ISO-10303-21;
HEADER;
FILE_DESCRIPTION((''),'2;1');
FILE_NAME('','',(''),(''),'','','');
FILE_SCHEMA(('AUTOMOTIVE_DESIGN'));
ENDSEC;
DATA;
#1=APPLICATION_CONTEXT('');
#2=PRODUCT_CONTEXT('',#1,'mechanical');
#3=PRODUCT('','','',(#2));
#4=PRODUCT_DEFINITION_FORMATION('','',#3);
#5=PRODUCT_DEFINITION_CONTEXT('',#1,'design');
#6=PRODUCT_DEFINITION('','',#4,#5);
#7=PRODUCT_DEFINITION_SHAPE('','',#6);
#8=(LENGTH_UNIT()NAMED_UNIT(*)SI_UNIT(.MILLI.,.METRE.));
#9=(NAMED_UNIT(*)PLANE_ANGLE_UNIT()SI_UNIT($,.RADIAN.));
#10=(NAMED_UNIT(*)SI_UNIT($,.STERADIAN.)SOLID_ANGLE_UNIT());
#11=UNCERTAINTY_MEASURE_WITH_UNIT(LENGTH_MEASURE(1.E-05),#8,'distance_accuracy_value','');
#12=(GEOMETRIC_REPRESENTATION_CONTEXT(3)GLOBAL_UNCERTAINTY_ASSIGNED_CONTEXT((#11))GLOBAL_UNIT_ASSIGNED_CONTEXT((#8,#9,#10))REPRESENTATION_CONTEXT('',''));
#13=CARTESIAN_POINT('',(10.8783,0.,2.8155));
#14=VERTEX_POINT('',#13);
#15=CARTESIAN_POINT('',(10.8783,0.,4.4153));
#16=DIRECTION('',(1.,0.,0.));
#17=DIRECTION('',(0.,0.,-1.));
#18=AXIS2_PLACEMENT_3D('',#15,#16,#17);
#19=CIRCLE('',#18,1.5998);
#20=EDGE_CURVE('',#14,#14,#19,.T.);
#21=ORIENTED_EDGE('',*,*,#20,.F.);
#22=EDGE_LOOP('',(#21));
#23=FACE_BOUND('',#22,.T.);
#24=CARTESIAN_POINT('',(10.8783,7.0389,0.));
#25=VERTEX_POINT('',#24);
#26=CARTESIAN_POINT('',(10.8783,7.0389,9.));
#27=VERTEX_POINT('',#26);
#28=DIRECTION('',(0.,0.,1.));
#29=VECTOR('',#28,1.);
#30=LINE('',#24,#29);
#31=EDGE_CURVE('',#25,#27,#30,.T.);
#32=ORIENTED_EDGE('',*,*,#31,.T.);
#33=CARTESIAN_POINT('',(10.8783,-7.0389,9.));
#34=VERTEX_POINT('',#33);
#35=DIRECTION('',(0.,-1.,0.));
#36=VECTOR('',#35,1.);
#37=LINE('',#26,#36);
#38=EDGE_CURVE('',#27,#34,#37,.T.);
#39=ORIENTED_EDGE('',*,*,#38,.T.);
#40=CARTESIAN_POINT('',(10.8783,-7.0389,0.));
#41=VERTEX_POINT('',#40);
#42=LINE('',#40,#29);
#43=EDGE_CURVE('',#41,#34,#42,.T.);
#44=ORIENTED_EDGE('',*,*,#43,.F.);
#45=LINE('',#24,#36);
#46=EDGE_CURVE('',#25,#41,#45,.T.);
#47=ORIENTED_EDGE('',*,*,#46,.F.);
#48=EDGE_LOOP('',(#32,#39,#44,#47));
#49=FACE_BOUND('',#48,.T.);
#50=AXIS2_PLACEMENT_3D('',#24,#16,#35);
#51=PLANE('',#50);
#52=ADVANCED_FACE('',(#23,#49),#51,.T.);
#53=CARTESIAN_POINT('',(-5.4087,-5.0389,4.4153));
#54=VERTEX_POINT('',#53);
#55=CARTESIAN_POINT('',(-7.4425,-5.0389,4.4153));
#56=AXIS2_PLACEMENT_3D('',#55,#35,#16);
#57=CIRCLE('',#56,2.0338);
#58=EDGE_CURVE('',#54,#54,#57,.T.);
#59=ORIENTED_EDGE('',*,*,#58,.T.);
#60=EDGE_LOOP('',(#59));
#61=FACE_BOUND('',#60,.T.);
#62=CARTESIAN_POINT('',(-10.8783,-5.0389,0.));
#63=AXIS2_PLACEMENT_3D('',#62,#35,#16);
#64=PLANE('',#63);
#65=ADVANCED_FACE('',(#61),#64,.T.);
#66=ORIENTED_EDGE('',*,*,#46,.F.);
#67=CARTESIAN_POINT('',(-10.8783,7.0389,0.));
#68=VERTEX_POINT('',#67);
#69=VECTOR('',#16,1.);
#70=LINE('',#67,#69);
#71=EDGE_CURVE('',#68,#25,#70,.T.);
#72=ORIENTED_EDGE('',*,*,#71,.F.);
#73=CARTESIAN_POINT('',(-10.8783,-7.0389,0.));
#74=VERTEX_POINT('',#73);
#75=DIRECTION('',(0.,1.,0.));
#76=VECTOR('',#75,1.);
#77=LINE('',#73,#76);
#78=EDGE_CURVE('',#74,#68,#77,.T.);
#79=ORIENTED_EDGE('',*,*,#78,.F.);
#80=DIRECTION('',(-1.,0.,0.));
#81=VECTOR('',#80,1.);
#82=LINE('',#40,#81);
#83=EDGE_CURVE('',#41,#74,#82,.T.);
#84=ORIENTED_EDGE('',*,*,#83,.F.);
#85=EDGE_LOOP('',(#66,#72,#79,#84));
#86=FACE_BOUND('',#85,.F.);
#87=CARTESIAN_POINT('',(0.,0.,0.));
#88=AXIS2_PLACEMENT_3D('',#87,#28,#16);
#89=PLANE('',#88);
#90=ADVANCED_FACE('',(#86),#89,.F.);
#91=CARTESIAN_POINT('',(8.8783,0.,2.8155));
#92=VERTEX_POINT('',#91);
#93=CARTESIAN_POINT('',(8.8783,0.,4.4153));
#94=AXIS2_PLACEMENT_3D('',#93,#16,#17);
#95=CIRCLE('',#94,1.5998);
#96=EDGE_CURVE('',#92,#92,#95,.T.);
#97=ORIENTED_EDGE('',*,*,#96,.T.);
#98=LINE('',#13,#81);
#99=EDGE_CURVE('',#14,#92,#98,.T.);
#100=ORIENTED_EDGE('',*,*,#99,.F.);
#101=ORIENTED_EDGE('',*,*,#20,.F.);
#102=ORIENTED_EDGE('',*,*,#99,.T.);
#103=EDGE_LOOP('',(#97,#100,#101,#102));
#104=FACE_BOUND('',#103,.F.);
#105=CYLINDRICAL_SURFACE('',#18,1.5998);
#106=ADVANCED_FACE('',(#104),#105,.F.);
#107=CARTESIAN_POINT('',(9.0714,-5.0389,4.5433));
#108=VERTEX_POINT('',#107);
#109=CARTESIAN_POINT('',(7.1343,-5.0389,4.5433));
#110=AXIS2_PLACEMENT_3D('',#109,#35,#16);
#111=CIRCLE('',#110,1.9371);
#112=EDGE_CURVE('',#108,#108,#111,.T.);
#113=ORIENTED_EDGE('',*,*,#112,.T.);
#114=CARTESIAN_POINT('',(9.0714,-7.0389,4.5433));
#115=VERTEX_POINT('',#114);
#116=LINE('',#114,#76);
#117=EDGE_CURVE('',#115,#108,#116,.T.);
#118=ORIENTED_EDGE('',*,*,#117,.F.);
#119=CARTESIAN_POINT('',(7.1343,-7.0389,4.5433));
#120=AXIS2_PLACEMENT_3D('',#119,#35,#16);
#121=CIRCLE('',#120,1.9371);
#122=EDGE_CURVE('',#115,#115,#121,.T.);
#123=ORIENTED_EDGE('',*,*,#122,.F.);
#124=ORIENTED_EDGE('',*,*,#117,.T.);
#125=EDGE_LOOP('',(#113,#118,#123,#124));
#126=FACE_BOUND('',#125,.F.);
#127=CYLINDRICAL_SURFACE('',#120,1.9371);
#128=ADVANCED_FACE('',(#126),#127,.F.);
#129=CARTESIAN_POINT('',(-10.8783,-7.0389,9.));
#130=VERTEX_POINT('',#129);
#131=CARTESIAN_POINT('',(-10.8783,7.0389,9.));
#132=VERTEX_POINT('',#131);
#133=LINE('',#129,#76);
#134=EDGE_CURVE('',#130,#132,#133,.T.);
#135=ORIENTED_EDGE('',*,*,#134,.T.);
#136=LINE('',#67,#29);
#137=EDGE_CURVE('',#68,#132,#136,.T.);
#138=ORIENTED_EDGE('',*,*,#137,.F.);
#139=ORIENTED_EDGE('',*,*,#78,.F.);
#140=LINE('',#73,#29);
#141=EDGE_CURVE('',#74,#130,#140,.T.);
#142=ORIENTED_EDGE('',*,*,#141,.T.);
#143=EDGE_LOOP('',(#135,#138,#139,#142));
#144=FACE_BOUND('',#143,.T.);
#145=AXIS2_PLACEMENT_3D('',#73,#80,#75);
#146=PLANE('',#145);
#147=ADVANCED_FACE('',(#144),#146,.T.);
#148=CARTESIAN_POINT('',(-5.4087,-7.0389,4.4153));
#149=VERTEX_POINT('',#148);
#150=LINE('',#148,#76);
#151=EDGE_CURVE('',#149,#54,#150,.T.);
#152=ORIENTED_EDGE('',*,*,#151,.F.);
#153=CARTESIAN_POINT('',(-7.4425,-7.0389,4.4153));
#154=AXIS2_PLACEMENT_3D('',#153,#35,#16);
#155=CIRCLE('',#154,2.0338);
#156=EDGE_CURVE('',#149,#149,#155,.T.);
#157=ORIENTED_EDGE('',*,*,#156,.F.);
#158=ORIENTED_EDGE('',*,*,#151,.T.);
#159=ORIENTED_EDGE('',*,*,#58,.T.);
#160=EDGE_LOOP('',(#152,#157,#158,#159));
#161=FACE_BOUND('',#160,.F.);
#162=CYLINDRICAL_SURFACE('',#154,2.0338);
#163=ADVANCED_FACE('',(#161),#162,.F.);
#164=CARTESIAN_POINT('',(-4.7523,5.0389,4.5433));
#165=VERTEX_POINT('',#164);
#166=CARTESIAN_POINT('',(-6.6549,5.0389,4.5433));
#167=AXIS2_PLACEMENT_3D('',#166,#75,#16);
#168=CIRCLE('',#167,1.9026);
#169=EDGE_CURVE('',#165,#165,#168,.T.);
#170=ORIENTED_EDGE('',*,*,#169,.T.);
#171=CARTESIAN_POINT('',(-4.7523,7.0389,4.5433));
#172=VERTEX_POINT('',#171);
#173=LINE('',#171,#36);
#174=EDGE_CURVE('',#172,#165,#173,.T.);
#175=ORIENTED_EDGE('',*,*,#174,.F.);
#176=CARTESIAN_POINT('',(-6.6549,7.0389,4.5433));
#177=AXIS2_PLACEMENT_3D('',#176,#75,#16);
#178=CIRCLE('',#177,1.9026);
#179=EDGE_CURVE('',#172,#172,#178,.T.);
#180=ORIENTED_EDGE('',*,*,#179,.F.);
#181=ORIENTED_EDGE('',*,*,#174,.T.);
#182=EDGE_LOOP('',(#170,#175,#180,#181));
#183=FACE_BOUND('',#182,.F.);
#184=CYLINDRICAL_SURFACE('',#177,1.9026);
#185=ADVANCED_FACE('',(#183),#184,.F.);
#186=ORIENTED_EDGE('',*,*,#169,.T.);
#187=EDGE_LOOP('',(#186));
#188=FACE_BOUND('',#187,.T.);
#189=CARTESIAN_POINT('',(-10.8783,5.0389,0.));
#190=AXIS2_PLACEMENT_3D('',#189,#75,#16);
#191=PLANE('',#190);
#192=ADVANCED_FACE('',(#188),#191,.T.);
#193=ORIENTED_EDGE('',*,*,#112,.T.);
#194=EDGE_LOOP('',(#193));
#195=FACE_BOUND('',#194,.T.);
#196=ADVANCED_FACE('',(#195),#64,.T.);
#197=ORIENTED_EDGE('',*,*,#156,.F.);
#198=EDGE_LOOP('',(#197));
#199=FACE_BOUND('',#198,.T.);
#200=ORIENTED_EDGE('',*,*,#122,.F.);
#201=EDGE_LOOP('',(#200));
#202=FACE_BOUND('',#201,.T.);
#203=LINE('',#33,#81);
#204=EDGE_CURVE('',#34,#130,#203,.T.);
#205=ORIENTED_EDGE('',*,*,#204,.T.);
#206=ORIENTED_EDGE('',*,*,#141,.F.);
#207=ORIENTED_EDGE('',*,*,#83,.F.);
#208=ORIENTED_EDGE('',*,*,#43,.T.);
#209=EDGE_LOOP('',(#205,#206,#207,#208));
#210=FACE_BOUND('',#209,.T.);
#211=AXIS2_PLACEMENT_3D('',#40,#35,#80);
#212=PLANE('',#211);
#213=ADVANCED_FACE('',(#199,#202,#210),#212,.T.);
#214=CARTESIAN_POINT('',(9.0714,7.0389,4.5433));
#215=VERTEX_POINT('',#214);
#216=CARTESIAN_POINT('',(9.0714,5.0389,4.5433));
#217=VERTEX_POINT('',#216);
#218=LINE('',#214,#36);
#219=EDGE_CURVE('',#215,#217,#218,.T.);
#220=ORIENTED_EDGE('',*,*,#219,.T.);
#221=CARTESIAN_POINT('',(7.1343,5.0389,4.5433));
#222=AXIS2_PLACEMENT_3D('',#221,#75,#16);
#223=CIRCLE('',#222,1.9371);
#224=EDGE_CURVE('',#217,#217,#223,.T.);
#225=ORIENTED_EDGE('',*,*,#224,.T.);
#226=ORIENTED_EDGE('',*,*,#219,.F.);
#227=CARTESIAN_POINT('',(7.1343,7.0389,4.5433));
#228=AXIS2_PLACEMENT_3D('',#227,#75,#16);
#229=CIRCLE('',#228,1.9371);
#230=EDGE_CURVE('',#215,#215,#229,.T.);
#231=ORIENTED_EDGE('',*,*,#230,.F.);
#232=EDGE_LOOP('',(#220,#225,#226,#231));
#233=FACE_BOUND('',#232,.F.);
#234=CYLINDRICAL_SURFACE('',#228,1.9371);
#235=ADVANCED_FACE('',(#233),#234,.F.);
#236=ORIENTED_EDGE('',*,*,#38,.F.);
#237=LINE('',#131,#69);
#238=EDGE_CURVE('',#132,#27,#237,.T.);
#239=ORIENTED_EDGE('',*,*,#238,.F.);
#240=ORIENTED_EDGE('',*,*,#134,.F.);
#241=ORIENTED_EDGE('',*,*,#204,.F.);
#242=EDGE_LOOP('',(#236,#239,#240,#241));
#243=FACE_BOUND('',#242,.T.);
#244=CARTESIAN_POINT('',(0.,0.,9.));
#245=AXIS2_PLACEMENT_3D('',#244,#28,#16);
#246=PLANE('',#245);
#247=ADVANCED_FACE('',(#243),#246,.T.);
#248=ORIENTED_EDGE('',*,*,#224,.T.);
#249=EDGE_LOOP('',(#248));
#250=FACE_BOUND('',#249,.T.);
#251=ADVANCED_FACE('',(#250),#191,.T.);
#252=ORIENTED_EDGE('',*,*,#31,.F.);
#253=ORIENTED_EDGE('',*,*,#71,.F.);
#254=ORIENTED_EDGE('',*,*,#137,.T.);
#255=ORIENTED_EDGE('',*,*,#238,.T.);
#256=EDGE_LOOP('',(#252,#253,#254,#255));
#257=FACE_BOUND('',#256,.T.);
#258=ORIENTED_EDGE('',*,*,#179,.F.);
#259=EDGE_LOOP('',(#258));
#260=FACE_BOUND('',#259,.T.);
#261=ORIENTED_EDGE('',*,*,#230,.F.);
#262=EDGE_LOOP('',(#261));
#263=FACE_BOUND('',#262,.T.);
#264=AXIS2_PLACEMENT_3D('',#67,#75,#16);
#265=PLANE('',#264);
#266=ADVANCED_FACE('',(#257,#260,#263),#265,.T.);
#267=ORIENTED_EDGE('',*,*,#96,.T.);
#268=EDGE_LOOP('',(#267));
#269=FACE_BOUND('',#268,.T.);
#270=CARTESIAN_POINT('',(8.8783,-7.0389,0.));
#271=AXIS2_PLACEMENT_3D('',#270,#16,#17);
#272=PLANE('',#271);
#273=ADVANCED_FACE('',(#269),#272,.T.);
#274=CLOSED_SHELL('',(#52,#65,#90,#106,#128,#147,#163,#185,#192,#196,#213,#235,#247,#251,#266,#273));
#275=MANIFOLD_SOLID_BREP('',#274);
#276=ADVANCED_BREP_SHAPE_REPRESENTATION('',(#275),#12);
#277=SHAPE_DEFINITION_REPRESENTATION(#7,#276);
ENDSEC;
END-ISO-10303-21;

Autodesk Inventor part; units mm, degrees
ref_plane "YZ Plane" through (0, 0, 0) normal (1, 0, 0) x (0, 1, 0)
ref_plane "XZ Plane" through (0, 0, 0) normal (0, 1, 0) x (-1, 0, 0)
ref_plane "XY Plane" through (0, 0, 0) normal (0, 0, 1) x (1, 0, 0)
sketch "Sketch1" plane through (0, 0, 0) normal (0, 0, 1) x (1, 0, 0)
  line L0 (10.8783, -7.0389) -> (-10.8783, -7.0389)
  line L1 (-10.8783, -7.0389) -> (-10.8783, 7.0389)
  line L2 (-10.8783, 7.0389) -> (10.8783, 7.0389)
  line L3 (10.8783, 7.0389) -> (10.8783, -7.0389)
  line L4 (10.8783, -7.0389) -> (-10.8783, 7.0389) construction
  line L5 (-10.8783, -7.0389) -> (10.8783, 7.0389) construction
  point P0 (0, 0)
extrude "Extrusion1" add sketch "Sketch1" along normal blind 9
sketch "Sketch2" plane through (-10.8783, 7.0389, 0) normal (0, 1, 0) x (1, 0, 0)
  circle A0 centre (4.2234, -4.5433) radius 1.9026
  circle A1 centre (18.0126, -4.5433) radius 1.9371
  point P0 (10.8783, 0)
extrude "Extrusion2" cut sketch "Sketch2" against normal blind 2
sketch "Sketch3" plane through (10.8783, -7.0389, 0) normal (1, 0, 0) x (0, 0, -1)
  circle A0 centre (-4.4153, 7.0389) radius 1.5998
  point P0 (0, 7.0389)
extrude "Extrusion3" cut sketch "Sketch3" against normal blind 2
sketch "Sketch4" plane through (-10.8783, -7.0389, 0) normal (0, -1, 0) x (1, 0, 0)
  circle A0 centre (18.0126, 4.5433) radius 1.9371 projected
  circle A1 centre (18.0126, 4.5433) radius 1.9371
  circle A2 centre (3.4358, 4.4153) radius 2.0338
  point P0 (10.8783, 0)
extrude "Extrusion4" cut sketch "Sketch4" against normal blind 2
properties part number "body_of_the_bot"
